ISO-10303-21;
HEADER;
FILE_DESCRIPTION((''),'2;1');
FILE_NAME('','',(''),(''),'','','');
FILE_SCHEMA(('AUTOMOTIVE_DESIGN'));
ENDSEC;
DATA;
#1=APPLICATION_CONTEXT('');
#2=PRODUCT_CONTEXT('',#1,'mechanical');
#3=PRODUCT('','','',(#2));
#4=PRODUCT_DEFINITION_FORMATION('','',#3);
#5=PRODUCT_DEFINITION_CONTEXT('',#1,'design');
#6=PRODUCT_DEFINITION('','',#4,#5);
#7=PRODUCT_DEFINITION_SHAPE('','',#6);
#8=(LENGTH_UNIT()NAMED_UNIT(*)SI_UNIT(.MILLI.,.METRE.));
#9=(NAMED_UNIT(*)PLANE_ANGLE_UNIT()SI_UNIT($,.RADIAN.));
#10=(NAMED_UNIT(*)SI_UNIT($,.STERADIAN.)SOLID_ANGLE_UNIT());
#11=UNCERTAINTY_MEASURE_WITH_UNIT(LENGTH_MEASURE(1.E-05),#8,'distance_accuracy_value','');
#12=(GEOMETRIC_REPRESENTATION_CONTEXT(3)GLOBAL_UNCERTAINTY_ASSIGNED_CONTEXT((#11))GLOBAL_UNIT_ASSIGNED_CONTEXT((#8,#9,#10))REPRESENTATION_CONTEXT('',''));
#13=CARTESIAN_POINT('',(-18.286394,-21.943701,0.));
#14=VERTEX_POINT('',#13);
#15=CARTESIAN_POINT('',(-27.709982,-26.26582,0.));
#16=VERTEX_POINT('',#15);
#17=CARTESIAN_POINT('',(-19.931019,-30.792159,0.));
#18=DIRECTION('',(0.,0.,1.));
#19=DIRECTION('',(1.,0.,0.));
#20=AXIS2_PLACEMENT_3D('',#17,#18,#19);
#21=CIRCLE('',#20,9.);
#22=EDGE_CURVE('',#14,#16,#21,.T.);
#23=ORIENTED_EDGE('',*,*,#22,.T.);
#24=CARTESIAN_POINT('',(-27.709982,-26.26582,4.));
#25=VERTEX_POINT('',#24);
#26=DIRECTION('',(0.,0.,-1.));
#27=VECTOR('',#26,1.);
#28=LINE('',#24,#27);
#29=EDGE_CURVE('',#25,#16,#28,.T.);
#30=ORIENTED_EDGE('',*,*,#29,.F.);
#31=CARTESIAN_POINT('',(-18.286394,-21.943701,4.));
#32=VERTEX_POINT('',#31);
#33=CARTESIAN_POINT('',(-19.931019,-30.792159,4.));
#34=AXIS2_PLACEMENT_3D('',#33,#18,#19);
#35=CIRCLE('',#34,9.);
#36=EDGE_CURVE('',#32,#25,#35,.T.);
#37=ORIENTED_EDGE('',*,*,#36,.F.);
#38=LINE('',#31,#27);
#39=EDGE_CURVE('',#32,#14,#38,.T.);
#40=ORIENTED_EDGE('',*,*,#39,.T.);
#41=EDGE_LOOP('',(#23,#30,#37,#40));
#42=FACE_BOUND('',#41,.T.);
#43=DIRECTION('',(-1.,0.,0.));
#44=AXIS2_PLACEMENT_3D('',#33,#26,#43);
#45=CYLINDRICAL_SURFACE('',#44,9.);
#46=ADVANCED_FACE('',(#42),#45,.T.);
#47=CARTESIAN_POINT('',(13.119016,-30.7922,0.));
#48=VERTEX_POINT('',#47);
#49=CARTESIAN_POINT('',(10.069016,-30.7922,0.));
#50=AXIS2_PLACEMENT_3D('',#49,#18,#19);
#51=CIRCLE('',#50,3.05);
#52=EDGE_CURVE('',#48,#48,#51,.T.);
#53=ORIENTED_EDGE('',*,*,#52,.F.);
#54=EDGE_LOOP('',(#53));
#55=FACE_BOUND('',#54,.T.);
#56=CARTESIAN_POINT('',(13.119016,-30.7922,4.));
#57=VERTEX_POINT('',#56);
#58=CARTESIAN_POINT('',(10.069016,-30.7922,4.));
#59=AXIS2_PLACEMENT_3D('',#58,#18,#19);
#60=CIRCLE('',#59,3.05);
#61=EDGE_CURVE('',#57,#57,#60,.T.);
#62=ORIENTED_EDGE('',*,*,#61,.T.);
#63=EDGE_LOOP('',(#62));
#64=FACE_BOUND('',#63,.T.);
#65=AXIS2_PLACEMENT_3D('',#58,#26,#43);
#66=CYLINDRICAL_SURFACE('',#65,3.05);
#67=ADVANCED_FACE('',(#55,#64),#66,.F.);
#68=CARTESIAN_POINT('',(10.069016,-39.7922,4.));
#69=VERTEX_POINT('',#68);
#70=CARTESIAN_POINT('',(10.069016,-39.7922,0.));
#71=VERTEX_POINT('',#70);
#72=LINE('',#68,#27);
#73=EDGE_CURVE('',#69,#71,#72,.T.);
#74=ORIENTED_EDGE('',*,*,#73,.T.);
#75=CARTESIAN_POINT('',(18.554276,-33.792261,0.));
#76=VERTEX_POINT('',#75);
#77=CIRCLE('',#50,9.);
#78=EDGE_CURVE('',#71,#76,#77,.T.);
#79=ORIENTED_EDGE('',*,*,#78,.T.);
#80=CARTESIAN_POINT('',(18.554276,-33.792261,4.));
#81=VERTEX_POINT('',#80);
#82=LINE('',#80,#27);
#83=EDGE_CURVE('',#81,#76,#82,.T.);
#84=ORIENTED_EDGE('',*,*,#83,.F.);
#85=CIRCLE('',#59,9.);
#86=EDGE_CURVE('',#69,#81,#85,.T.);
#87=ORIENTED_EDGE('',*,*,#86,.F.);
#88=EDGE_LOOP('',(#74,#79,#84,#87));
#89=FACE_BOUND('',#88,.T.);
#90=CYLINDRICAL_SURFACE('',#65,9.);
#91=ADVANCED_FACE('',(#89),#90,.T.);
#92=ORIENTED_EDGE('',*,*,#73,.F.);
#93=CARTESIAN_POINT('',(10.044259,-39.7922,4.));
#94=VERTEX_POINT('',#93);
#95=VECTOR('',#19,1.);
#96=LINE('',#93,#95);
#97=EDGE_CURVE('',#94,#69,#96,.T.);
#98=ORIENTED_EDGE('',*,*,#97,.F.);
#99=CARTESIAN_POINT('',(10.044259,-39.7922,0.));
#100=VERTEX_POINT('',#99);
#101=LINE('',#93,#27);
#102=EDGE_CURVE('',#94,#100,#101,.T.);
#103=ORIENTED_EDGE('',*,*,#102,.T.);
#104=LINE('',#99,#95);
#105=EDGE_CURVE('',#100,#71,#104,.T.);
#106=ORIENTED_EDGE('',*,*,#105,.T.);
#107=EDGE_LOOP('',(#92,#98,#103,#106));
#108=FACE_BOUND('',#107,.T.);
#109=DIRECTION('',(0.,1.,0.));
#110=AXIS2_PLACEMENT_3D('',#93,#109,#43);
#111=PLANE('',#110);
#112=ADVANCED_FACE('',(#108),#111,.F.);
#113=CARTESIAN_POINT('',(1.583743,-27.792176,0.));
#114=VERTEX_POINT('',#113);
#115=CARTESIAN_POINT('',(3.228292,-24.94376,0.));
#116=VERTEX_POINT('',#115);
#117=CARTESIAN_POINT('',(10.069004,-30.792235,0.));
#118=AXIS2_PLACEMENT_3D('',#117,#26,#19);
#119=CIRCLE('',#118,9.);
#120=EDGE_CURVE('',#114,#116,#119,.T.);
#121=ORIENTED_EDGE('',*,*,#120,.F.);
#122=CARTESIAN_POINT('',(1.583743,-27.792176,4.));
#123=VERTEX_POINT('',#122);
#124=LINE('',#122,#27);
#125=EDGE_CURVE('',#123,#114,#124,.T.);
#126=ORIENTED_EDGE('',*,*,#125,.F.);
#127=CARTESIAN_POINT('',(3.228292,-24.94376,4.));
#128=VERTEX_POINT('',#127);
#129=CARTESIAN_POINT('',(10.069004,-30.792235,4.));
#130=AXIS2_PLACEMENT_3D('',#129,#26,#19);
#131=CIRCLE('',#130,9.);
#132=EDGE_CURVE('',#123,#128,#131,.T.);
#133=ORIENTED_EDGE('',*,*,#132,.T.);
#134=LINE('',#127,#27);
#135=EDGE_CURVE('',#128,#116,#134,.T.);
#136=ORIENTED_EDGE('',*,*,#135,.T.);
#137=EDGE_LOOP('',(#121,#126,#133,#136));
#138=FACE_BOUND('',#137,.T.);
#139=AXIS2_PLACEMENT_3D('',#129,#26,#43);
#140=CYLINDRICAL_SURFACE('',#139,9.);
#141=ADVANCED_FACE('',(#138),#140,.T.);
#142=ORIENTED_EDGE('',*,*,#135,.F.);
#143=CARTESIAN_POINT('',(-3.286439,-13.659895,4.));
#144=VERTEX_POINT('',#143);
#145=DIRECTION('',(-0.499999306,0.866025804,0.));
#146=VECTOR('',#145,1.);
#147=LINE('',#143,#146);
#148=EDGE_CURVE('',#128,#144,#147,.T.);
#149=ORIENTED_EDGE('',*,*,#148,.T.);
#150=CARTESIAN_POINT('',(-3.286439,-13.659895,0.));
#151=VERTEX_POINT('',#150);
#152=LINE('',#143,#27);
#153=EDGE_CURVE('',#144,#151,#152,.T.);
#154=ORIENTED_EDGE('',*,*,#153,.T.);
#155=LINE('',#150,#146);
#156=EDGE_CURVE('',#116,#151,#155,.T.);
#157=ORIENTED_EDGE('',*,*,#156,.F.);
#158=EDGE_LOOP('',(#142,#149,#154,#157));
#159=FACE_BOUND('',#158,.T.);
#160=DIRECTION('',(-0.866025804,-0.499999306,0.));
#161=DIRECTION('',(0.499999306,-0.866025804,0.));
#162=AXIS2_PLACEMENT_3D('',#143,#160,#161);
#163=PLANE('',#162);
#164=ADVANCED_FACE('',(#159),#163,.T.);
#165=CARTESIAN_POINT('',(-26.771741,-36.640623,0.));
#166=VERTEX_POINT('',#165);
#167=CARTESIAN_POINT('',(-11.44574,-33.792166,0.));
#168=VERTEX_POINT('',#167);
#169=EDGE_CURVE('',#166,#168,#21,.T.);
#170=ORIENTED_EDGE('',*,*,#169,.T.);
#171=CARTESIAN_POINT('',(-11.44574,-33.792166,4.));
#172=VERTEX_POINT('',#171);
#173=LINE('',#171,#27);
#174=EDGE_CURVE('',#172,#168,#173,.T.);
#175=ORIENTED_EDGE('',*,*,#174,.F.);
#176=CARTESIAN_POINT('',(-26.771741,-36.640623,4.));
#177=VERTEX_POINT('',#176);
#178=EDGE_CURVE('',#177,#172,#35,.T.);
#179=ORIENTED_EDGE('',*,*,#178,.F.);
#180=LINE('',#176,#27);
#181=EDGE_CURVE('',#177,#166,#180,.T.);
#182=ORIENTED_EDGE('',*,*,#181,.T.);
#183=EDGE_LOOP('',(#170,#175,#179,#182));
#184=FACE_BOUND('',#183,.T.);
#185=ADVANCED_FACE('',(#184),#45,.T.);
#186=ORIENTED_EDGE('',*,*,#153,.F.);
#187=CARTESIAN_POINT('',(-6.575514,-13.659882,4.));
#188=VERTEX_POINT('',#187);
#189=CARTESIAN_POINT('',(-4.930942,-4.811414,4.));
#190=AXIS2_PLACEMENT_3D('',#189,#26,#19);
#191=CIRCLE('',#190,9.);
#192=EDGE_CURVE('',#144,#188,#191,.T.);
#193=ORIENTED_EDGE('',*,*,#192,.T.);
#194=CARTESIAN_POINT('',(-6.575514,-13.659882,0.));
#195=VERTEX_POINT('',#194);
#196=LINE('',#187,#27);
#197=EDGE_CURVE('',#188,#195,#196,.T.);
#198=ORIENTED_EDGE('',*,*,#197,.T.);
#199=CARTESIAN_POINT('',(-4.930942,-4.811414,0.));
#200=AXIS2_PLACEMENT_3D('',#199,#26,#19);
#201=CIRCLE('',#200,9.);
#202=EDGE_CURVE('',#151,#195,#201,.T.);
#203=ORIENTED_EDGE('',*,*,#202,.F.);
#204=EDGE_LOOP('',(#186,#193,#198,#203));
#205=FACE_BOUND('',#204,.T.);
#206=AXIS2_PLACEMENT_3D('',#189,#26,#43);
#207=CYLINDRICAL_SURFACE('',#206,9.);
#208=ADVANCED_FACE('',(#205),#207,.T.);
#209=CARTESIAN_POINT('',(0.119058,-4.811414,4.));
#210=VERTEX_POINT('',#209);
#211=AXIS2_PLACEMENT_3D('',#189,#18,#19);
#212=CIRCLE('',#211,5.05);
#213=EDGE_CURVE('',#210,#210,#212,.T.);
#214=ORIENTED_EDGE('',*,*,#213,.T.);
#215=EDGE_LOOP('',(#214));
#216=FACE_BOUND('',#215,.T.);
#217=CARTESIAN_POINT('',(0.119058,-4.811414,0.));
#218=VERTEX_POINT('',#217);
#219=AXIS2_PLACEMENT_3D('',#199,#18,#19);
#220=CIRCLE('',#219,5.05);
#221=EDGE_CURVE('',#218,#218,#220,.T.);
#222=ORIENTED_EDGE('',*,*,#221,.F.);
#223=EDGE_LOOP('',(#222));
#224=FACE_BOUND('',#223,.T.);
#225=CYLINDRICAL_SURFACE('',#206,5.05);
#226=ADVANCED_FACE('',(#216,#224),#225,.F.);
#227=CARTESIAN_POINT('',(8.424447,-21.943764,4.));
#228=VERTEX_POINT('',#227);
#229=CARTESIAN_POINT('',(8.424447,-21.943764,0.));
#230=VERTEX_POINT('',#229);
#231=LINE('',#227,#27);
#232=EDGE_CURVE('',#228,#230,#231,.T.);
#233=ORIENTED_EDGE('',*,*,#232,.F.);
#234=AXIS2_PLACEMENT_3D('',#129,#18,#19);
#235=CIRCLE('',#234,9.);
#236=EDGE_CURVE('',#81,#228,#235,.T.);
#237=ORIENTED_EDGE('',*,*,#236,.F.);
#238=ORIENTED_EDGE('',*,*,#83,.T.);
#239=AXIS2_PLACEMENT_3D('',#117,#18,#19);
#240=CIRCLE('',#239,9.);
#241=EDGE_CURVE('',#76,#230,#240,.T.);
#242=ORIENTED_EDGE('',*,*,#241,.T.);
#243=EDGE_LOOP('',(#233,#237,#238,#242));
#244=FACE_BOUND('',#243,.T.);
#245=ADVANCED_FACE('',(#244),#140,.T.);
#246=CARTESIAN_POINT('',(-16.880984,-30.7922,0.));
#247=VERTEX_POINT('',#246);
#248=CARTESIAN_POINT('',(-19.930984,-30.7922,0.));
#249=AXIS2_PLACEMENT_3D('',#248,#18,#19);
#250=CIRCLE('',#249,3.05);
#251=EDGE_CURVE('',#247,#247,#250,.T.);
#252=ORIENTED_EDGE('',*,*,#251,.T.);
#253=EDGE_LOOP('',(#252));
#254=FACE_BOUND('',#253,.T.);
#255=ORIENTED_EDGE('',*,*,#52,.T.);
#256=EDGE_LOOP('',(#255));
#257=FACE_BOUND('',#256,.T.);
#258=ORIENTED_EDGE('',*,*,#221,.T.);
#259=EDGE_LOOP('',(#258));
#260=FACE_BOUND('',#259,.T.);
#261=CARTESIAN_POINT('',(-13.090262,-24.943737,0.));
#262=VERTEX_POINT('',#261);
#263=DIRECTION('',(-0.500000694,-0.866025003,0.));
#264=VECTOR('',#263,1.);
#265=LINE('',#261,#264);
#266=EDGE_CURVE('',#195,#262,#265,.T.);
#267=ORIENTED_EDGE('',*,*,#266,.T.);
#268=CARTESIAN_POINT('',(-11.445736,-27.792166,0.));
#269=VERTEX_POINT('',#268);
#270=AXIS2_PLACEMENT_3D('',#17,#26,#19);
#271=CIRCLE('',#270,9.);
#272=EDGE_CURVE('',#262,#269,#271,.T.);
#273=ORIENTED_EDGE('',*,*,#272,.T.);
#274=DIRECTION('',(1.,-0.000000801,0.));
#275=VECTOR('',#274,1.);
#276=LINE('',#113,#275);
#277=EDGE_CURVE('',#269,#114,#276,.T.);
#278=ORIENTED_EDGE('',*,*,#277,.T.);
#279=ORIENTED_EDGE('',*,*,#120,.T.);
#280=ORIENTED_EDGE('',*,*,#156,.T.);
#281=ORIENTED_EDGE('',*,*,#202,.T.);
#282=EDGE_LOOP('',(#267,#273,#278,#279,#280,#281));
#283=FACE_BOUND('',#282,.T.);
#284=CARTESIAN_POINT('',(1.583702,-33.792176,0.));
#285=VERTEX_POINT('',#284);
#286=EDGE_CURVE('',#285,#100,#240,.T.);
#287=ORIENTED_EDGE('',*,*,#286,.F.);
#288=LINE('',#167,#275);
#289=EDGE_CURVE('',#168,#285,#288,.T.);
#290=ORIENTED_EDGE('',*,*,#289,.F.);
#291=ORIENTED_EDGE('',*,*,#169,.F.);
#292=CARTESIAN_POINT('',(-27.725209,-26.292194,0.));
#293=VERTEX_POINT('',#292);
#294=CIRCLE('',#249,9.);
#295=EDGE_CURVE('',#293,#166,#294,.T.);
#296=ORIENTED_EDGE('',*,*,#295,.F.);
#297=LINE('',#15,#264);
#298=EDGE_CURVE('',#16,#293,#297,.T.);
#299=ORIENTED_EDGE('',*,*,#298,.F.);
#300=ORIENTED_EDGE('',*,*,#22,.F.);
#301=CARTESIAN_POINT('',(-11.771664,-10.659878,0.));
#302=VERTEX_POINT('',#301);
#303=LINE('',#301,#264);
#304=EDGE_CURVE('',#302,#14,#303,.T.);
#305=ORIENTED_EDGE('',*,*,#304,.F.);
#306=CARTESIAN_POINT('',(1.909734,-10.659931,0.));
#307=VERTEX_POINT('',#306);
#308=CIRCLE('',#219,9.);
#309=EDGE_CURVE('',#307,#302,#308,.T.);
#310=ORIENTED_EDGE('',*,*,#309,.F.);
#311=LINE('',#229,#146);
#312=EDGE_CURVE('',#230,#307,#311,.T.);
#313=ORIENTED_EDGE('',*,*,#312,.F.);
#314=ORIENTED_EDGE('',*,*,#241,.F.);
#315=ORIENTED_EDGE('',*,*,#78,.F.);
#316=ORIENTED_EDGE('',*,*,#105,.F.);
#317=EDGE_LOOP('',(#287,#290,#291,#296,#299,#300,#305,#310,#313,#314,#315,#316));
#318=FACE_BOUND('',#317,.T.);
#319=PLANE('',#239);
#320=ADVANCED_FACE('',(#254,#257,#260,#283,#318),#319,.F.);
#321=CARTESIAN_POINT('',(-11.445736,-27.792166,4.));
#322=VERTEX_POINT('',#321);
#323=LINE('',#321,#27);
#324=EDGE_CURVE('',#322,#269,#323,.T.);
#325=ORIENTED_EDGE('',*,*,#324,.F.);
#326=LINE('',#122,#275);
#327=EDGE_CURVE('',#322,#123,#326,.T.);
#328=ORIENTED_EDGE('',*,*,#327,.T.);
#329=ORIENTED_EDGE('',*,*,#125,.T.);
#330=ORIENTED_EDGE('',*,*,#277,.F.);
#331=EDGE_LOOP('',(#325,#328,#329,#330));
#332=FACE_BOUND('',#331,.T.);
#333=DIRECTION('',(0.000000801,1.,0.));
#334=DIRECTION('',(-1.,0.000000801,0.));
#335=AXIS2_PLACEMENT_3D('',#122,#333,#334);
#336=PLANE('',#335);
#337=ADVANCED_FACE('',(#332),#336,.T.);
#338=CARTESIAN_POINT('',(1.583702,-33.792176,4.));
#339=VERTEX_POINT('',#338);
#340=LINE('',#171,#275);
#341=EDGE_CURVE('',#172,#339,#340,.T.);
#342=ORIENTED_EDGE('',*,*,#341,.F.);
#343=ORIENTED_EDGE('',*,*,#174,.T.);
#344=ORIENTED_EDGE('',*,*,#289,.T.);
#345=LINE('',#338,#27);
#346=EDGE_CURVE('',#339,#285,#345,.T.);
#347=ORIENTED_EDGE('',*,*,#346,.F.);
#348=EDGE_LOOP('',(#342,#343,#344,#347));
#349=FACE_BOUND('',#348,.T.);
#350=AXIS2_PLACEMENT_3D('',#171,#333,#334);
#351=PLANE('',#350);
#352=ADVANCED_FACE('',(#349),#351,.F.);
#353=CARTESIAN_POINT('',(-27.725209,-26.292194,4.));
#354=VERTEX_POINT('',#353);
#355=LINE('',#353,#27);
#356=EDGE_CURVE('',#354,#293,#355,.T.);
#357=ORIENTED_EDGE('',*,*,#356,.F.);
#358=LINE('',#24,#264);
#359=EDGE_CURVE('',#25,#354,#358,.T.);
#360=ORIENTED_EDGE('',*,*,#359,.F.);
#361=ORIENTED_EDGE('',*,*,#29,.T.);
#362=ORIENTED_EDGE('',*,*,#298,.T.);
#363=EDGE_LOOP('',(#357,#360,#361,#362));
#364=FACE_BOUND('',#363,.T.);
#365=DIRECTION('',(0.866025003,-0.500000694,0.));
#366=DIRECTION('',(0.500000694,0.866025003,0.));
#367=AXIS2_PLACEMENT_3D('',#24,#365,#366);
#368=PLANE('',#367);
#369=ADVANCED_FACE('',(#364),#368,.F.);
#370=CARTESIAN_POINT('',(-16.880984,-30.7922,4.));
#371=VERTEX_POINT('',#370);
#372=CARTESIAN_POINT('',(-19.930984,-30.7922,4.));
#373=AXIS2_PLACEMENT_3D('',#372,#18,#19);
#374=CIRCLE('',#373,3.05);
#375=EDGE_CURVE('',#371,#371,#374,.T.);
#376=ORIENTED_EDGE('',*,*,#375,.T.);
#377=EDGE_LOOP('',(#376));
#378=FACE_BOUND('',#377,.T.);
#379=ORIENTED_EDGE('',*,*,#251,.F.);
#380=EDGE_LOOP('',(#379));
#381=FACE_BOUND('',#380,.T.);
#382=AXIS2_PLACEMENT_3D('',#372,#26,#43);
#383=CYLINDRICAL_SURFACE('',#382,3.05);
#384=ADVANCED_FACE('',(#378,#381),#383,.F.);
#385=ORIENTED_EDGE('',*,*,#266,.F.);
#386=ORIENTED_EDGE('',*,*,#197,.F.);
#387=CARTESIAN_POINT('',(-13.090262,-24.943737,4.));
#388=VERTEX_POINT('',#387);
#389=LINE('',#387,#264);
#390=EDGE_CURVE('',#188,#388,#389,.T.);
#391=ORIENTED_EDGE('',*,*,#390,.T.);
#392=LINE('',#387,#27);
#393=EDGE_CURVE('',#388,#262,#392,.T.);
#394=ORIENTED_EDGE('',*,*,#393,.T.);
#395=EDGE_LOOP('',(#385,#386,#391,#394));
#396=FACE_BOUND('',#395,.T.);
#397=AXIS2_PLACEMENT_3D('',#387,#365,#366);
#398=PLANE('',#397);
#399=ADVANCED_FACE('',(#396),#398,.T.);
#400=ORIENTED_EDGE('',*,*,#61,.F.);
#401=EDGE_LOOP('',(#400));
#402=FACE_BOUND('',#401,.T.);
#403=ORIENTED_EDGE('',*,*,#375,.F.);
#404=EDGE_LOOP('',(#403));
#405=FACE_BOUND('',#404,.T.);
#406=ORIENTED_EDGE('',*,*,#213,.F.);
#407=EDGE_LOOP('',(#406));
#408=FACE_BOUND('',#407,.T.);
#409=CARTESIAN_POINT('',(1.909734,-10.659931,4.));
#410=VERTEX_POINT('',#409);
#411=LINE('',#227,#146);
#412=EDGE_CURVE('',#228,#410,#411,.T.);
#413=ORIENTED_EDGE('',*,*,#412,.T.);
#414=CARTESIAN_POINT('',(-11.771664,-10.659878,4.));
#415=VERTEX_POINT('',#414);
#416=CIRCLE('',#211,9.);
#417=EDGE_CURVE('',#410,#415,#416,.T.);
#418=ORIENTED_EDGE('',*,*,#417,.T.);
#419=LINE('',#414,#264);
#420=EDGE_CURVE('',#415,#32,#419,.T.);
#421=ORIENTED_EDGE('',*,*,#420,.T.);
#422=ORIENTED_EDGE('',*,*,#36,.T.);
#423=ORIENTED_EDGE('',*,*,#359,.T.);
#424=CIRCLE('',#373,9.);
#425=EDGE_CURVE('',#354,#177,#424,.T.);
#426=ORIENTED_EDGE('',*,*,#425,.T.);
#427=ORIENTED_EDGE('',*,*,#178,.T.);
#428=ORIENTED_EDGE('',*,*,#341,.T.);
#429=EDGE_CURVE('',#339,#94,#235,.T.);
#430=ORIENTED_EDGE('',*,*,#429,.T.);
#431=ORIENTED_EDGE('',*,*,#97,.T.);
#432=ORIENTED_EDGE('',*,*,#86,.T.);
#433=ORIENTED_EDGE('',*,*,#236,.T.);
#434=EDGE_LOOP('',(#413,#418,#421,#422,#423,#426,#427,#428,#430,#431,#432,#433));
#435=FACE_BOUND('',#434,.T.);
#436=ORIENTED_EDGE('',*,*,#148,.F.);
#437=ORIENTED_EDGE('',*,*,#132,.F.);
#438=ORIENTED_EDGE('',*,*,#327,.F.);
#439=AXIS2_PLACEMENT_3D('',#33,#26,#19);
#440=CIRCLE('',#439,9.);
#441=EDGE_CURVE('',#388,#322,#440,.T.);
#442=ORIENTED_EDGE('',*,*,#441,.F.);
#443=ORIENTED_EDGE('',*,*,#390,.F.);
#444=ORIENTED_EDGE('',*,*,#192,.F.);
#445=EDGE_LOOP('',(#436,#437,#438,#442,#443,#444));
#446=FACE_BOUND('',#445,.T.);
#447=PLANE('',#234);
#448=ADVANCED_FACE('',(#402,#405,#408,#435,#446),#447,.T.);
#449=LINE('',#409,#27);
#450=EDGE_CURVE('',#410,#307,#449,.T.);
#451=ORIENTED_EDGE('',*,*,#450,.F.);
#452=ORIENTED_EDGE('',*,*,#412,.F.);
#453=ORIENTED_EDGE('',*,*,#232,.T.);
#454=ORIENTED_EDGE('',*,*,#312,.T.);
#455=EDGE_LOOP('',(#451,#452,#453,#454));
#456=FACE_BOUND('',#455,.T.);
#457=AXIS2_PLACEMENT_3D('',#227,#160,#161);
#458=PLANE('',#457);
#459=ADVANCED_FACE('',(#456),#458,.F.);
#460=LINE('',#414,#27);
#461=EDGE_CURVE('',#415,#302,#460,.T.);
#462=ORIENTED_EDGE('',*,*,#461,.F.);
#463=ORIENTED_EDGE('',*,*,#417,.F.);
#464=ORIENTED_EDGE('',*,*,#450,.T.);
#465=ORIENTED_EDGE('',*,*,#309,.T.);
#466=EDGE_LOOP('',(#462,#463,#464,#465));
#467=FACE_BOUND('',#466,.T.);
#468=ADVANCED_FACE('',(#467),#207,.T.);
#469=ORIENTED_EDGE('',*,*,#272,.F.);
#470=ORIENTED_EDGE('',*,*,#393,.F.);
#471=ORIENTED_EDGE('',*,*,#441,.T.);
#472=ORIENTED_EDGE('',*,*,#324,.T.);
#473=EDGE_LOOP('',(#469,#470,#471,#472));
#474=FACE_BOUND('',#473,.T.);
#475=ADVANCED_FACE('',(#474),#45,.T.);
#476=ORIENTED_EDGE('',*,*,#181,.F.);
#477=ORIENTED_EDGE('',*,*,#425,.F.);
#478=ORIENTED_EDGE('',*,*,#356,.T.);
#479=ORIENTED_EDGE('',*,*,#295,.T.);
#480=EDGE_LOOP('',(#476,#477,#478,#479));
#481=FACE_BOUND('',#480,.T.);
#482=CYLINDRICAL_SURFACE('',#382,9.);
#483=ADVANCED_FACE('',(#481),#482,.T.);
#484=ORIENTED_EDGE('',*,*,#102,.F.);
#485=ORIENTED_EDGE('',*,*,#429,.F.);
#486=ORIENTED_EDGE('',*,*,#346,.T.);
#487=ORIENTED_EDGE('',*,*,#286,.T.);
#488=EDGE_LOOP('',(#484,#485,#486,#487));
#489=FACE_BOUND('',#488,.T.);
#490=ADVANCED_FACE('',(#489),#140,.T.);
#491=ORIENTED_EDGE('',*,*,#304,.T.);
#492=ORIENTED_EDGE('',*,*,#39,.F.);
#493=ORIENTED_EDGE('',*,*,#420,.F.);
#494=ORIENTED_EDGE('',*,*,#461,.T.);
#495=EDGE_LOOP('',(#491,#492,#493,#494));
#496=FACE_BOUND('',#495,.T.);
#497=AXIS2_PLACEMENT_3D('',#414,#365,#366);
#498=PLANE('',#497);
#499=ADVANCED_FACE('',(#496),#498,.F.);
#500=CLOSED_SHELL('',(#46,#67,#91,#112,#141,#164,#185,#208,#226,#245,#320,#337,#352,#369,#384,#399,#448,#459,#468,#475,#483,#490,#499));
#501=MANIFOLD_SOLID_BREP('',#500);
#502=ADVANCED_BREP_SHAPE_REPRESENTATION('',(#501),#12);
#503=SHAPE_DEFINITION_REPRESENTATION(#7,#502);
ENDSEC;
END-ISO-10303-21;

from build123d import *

# Parameters (mm, degrees)
SKETCH_1_R      = 3.05
SKETCH_1_R_2    = 5.05
EXTRUDE_1_DEPTH = 4


with BuildPart() as part:
    # 草图1 → 凸台-拉伸1 (new body)
    with BuildSketch(Plane.XY):
        with BuildLine():
            Line((8.424446615, -21.943763958), (1.909734407, -10.659930534))
            ThreePointArc((1.909734407, -10.659930534), (-4.930907825, 4.188585667), (-11.771663917, -10.659878079))
            Line((-11.771663917, -10.659878079), (-18.286394211, -21.943701062))
            ThreePointArc((-18.286394211, -21.943701062), (-23.683045573, -22.611553889), (-27.70998166, -26.265819763))
            Line((-27.70998166, -26.265819763), (-27.725209001, -26.292194242))
            ThreePointArc((-27.725209001, -26.292194242), (-28.893024381, -31.617931514), (-26.77174103, -36.640622744))
            ThreePointArc((-26.77174103, -36.640622744), (-18.28646206, -39.640629543), (-11.445740476, -33.792165797))
            Line((-11.445740476, -33.792165797), (1.583702026, -33.792176239))
            ThreePointArc((1.583702026, -33.792176239), (4.862729341, -38.133535764), (10.044259423, -39.792200488))
            Line((10.044259423, -39.792200488), (10.069016027, -39.792200488))
            ThreePointArc((10.069016027, -39.792200488), (15.265142091, -38.140688354), (18.55427588, -33.792261359))
            ThreePointArc((18.55427588, -33.792261359), (16.909732497, -24.943778842), (8.424446615, -21.943763958))
        make_face()
        with Locations((10.069016027, -30.792200488)):
            Circle(SKETCH_1_R, mode=Mode.SUBTRACT)
        with Locations((-4.930942332, -4.811414333)):
            Circle(SKETCH_1_R_2, mode=Mode.SUBTRACT)
        with Locations((-19.930983973, -30.792200488)):
            Circle(SKETCH_1_R, mode=Mode.SUBTRACT)
        with BuildLine():
            Line((-3.286438615, -13.659894854), (3.228291788, -24.943759794))
            ThreePointArc((3.228291788, -24.943759794), (2.274792619, -26.292204621), (1.583743226, -27.792176239))
            Line((1.583743226, -27.792176239), (-11.445735667, -27.792165797))
            ThreePointArc((-11.445735667, -27.792165797), (-12.136773559, -26.29218888), (-13.090262388, -24.943736742))
            Line((-13.090262388, -24.943736742), (-6.575513898, -13.659882243))
            ThreePointArc((-6.575513898, -13.659882243), (-4.930976838, -13.811414333), (-3.286438615, -13.659894854))
        make_face(mode=Mode.SUBTRACT)
    extrude(amount=EXTRUDE_1_DEPTH)


solid = part.part
